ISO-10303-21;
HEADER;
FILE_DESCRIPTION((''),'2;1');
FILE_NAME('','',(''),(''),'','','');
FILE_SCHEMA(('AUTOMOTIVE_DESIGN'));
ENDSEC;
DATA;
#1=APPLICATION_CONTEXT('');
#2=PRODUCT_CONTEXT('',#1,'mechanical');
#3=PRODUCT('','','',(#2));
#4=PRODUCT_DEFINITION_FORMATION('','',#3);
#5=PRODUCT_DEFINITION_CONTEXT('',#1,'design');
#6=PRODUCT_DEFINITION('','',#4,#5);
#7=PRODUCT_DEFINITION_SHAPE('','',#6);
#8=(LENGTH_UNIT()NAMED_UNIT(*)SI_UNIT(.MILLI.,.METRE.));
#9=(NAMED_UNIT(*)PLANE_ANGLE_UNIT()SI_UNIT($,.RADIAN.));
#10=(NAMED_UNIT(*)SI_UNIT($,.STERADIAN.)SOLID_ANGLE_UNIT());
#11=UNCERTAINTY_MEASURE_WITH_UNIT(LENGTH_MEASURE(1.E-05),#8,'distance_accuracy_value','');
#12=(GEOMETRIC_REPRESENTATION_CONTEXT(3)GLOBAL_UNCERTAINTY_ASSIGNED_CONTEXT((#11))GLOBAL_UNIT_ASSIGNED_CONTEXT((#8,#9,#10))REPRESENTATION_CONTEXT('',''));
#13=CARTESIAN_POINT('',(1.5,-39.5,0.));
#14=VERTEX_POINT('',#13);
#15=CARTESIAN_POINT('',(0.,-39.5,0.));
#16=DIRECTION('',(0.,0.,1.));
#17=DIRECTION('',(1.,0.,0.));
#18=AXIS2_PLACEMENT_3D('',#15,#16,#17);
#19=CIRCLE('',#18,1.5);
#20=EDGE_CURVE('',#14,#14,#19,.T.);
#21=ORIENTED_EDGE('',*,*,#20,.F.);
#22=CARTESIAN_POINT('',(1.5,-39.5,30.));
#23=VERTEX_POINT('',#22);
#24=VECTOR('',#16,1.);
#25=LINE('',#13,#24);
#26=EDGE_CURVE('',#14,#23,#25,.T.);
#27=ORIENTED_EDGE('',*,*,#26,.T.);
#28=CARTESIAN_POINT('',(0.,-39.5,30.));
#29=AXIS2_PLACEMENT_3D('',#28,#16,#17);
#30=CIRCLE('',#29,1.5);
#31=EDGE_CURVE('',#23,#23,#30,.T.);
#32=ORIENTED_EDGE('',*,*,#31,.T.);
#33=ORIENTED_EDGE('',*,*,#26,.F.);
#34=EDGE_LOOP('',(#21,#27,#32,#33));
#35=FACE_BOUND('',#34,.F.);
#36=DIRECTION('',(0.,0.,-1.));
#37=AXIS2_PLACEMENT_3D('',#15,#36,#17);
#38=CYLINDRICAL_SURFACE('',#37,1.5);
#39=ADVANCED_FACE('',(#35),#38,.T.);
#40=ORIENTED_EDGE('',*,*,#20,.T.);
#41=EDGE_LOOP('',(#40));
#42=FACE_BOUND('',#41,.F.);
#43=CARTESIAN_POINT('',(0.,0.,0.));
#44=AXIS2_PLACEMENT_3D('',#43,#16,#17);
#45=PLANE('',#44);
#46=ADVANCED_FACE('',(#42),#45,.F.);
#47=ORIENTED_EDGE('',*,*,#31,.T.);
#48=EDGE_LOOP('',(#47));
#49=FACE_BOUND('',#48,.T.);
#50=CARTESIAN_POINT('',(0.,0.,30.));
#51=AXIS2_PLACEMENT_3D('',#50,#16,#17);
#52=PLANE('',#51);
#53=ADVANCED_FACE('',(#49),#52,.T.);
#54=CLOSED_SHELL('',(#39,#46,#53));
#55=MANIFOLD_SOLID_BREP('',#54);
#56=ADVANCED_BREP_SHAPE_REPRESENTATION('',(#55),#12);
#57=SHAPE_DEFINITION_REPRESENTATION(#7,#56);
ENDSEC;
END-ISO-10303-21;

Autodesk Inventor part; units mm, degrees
ref_plane "YZ Plane" through (0, 0, 0) normal (1, 0, 0) x (0, 1, 0)
ref_plane "XZ Plane" through (0, 0, 0) normal (0, 1, 0) x (-1, 0, 0)
ref_plane "XY Plane" through (0, 0, 0) normal (0, 0, 1) x (1, 0, 0)
sketch "Эскиз1" plane through (0, 0, 0) normal (0, 0, 1) x (1, 0, 0)
  circle A0 centre (0, -39.5) radius 1.65 construction
  circle A1 centre (0, -39.5) radius 1.5
  point P0 (0, 0)
  dimension "d0" = 3
extrude "Выдавливание1" add sketch "Эскиз1" along normal blind 30
properties part number "лат.трубка"
